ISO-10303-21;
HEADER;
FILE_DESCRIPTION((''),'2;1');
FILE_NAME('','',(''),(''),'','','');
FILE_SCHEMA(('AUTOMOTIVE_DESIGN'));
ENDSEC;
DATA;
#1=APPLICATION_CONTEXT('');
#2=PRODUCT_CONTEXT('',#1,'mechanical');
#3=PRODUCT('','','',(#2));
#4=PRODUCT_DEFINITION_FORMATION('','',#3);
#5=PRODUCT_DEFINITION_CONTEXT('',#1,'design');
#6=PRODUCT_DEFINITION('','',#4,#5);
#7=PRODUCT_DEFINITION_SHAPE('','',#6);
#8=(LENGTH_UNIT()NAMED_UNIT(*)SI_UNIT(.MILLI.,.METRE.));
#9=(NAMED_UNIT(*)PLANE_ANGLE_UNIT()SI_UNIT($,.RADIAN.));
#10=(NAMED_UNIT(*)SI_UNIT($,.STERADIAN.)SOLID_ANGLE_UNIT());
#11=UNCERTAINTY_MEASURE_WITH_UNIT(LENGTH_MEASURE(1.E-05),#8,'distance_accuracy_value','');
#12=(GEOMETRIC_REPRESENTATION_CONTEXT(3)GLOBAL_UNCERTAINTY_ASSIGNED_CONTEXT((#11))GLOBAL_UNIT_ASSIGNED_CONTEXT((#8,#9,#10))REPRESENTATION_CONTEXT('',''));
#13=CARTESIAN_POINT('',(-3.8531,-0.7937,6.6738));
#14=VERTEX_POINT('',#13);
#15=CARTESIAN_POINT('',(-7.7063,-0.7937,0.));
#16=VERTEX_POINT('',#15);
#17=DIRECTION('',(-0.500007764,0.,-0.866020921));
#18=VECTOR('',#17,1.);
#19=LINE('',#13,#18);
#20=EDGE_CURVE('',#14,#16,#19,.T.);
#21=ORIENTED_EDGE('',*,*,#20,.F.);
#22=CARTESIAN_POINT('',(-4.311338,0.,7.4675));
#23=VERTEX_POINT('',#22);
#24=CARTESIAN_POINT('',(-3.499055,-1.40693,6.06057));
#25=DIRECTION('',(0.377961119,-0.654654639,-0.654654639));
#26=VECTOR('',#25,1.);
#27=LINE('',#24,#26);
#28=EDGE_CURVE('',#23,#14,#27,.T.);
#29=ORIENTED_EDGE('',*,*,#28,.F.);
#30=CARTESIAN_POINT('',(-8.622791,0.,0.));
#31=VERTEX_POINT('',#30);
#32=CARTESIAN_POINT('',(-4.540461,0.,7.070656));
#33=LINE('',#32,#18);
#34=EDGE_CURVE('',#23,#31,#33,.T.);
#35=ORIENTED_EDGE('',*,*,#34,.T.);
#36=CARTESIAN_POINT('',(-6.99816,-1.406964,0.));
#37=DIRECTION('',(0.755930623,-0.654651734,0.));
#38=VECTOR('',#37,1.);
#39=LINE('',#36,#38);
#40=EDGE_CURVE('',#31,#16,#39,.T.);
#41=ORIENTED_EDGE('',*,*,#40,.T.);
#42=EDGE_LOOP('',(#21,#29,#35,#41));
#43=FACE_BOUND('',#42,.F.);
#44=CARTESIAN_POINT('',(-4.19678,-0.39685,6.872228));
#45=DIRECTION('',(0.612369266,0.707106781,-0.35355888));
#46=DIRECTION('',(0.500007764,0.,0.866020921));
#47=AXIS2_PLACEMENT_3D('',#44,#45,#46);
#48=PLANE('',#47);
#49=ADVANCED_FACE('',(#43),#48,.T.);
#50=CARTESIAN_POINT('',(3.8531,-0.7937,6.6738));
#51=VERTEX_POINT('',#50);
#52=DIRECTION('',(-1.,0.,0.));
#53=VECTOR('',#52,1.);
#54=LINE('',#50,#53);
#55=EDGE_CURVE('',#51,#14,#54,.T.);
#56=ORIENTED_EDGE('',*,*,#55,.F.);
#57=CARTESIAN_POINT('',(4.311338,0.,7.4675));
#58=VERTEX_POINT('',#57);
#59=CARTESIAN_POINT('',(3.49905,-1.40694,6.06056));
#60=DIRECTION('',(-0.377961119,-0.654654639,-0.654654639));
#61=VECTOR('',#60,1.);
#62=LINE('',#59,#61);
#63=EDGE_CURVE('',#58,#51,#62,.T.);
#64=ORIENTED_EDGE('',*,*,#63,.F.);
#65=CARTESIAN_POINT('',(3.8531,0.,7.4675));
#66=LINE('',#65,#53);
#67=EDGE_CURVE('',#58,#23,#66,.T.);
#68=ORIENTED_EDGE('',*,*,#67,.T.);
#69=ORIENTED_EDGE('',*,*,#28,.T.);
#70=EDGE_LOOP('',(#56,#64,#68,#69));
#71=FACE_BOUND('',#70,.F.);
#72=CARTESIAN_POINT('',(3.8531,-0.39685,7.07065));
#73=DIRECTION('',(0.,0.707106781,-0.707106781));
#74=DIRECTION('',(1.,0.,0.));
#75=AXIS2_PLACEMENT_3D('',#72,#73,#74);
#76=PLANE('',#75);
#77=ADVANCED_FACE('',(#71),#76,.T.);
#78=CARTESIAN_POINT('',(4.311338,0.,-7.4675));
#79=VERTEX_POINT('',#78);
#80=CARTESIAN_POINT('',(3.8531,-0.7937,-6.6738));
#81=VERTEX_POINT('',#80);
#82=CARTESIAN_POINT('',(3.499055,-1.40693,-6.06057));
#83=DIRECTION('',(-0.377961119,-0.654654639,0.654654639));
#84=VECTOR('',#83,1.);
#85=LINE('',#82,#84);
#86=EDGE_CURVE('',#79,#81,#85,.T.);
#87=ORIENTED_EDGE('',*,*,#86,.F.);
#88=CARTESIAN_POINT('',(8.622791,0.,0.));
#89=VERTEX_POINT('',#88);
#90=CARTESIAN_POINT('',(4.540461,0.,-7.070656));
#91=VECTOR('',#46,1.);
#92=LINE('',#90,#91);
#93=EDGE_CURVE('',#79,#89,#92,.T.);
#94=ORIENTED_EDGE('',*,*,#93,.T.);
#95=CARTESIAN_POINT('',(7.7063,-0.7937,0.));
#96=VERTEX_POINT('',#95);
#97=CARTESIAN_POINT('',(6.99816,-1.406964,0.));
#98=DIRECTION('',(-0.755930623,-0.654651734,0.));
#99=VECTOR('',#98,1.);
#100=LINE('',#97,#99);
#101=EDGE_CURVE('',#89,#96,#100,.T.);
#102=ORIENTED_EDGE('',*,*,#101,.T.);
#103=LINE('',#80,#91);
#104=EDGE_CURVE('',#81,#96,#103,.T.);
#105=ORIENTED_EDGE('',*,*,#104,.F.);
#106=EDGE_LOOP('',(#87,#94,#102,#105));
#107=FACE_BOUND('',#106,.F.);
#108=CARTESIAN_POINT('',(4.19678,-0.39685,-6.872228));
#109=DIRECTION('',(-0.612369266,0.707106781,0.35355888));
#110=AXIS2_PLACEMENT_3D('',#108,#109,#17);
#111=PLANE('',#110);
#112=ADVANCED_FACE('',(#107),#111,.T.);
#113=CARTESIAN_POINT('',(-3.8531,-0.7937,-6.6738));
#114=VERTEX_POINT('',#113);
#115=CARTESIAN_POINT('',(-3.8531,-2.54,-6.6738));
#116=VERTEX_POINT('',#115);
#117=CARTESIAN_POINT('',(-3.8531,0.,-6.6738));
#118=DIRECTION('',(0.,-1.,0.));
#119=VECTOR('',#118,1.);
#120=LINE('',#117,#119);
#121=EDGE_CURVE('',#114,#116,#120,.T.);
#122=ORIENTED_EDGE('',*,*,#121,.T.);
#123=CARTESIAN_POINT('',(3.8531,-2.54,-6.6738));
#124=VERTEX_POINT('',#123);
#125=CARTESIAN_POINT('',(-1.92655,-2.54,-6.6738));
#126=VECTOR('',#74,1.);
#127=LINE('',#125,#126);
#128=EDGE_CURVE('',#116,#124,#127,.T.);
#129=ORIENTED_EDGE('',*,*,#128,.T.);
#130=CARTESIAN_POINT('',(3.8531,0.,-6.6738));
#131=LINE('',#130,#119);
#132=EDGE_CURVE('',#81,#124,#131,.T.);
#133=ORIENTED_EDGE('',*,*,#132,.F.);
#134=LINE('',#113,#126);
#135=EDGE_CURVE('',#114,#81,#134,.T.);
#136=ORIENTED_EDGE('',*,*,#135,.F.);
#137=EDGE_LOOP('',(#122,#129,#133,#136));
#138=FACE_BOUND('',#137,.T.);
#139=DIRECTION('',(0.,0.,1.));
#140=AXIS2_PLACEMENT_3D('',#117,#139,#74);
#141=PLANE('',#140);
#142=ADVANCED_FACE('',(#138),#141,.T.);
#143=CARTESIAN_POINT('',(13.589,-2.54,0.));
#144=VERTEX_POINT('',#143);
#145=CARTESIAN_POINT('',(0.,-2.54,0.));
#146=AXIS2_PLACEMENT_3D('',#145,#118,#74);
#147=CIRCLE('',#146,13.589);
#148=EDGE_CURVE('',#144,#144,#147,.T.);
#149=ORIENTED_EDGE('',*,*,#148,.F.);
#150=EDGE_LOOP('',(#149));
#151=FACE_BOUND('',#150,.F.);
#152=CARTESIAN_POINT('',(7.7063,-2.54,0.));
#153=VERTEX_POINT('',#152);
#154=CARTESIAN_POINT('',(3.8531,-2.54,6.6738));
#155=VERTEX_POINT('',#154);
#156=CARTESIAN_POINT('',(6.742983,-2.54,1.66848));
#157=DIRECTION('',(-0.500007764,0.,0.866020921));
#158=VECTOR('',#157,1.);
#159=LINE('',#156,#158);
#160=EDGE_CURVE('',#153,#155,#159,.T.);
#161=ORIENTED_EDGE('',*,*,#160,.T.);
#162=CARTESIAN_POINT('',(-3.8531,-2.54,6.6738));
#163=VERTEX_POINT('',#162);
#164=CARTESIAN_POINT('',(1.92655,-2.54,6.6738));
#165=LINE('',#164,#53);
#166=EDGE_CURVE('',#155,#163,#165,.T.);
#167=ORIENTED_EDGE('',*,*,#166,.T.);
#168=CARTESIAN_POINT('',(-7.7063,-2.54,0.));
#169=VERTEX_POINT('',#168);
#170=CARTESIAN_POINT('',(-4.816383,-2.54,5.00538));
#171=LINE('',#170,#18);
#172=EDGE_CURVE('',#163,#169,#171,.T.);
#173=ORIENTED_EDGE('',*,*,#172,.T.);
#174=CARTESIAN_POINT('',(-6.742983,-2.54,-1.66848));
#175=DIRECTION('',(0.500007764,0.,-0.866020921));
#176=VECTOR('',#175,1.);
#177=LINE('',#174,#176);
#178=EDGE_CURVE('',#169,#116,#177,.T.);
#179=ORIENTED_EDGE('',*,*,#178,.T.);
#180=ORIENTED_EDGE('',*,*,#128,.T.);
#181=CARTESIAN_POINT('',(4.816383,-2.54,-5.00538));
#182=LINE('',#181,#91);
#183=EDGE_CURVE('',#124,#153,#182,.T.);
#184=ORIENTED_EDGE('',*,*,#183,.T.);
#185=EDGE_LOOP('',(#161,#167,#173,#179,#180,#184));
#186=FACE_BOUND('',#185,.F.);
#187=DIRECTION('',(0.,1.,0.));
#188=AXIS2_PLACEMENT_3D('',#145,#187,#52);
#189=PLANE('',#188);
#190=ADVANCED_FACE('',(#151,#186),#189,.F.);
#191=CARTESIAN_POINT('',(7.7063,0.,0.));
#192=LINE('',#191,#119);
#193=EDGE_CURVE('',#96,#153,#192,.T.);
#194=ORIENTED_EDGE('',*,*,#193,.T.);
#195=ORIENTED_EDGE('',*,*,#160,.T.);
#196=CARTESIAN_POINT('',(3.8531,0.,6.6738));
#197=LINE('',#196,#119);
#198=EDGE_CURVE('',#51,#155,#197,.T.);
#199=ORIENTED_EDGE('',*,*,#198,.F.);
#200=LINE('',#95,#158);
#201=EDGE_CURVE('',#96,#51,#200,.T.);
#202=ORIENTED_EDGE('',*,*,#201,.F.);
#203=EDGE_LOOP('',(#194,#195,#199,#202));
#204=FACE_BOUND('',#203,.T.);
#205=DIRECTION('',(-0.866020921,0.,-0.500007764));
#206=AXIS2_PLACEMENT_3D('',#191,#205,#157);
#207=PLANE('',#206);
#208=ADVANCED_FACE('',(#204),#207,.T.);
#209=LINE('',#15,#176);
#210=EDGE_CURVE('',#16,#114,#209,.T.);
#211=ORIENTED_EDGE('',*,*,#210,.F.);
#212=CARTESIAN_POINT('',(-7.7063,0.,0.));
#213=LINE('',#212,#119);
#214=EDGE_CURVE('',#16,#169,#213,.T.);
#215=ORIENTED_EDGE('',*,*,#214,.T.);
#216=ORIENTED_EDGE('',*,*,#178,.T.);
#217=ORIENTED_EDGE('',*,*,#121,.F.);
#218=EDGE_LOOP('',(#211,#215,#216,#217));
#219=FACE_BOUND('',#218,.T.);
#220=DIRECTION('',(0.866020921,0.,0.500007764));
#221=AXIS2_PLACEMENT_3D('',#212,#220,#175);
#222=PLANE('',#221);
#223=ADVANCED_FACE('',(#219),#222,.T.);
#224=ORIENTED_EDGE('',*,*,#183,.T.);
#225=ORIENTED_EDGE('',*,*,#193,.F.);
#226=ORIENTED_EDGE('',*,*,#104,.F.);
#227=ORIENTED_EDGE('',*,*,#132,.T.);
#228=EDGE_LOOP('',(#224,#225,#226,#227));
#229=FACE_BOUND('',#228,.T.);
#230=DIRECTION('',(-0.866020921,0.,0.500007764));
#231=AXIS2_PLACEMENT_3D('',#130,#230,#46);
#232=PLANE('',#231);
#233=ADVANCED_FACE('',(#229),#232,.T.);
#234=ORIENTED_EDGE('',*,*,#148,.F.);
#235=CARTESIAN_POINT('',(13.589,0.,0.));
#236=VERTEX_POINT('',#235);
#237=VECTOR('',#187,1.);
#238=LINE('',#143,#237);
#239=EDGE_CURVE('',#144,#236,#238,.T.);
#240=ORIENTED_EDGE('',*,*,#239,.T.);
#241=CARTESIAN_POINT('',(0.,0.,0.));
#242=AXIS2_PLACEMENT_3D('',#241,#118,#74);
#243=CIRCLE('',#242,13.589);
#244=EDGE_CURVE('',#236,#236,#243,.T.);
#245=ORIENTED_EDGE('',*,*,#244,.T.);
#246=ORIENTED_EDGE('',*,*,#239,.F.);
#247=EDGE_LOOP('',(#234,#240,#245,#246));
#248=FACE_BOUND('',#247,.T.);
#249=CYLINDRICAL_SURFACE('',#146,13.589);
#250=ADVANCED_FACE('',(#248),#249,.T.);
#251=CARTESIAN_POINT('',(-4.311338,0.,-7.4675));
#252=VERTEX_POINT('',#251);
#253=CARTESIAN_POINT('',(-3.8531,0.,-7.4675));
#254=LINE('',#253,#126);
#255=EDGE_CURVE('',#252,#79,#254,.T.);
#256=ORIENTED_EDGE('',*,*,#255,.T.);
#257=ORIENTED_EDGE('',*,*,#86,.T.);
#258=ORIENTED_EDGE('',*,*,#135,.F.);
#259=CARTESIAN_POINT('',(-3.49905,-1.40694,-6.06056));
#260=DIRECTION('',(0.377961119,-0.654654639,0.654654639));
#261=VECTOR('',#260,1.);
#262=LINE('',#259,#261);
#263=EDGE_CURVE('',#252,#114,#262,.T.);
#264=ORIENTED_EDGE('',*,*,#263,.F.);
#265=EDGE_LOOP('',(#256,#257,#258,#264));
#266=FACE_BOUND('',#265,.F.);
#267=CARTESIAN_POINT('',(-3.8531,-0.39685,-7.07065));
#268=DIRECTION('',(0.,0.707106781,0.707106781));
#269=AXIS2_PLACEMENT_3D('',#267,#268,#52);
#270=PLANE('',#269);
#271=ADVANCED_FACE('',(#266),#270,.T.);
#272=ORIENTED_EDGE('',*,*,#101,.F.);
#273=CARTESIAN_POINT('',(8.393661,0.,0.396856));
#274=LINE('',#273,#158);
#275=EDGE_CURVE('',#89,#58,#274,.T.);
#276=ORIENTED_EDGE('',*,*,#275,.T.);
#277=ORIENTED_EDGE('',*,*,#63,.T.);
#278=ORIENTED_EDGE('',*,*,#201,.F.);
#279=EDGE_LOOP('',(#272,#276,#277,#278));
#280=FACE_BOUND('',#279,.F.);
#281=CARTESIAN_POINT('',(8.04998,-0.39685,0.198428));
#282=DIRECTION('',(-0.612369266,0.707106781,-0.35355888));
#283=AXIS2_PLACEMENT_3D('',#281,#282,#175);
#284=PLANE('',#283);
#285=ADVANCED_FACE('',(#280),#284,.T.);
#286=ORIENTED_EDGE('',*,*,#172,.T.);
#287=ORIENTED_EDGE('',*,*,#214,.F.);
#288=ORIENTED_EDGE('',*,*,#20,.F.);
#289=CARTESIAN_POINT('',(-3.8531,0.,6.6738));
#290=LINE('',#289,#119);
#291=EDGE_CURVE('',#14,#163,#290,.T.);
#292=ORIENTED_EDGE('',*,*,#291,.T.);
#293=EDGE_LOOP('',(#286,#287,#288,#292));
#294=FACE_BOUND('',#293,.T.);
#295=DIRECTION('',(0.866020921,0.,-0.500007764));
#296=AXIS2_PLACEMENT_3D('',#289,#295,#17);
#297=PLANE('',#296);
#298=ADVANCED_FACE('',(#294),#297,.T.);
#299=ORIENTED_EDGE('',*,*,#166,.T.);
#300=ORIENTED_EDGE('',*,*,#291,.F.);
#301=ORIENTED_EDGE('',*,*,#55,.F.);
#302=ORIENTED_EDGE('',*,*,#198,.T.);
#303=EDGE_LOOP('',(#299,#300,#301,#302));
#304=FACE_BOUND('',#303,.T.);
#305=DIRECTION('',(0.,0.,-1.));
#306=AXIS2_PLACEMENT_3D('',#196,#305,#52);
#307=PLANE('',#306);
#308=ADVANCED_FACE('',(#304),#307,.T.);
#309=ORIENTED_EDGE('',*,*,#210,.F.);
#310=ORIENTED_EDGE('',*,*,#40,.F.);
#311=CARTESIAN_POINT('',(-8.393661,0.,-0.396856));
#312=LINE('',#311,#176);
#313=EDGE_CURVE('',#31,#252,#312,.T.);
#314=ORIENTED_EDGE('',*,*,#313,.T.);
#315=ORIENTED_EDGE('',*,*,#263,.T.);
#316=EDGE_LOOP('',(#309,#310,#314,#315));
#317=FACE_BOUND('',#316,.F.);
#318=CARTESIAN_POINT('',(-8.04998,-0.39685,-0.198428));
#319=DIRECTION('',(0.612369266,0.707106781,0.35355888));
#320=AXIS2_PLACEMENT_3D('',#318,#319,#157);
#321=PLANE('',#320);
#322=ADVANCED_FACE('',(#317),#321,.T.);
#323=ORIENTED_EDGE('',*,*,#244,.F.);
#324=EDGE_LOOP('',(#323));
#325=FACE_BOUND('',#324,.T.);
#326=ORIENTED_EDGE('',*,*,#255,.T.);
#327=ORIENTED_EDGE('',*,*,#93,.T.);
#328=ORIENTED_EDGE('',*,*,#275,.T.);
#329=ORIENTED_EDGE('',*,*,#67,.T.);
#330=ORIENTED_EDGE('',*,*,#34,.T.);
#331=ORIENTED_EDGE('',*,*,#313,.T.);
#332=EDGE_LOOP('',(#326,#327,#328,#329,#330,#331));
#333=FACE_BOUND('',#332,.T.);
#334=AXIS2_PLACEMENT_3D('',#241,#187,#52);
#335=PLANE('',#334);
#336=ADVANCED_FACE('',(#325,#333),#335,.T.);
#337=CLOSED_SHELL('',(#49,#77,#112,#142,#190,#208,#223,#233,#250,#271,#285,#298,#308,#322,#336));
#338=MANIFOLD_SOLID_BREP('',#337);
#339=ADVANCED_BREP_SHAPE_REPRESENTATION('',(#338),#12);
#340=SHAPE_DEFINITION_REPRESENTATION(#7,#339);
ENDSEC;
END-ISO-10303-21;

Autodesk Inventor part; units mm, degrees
ref_plane "YZ Plane" through (0, 0, 0) normal (1, 0, 0) x (0, 1, 0)
ref_plane "XZ Plane" through (0, 0, 0) normal (0, 1, 0) x (-1, 0, 0)
ref_plane "XY Plane" through (0, 0, 0) normal (0, 0, 1) x (1, 0, 0)
sketch "Sketch1" plane through (0, 0, 0) normal (0, 1, 0) x (-1, 0, 0)
  circle A0 centre (0, 0) radius 31.75
  dimension "od" = 63.5
extrude "Extrusion1" add sketch "Sketch1" against normal blind 2.54
sketch "Sketch2" plane through (0, 0, 0) normal (0, 1, 0) x (1, 0, 0)
  line L0 (-7.7063, 0) -> (-3.8531, 6.6738)
  line L1 (-3.8531, 6.6738) -> (3.8531, 6.6738)
  line L2 (3.8531, 6.6738) -> (7.7063, 0)
  line L3 (7.7063, 0) -> (3.8531, -6.6738)
  line L4 (3.8531, -6.6738) -> (-3.8531, -6.6738)
  line L5 (-3.8531, -6.6738) -> (-7.7063, 0)
  point P0 (0, 0)
  point P1 (0, 0)
  dimension "d3" = 13.3477
extrude "Extrusion2" cut sketch "Sketch2" against normal through all
chamfer "Chamfer1" distance 0.7937 angle 45 6 edges at (-5.7797, 0, -3.3369) (0, 0, -6.6738) (5.7797, 0, -3.3369) (5.7797, 0, 3.3369) (0, 0, 6.6738) (-5.7797, 0, 3.3369)
sketch "Sketch4" plane through (0, -2.54, 0) normal (0, -1, 0) x (1, 0, 0)
  circle A0 centre (0, 0) radius 13.589
  circle A1 centre (0, 0) radius 31.75
extrude "Extrusion4" cut sketch "Sketch4" against normal through all
properties part number "spacerForEndV03" material "PC/ABS Plastic"
